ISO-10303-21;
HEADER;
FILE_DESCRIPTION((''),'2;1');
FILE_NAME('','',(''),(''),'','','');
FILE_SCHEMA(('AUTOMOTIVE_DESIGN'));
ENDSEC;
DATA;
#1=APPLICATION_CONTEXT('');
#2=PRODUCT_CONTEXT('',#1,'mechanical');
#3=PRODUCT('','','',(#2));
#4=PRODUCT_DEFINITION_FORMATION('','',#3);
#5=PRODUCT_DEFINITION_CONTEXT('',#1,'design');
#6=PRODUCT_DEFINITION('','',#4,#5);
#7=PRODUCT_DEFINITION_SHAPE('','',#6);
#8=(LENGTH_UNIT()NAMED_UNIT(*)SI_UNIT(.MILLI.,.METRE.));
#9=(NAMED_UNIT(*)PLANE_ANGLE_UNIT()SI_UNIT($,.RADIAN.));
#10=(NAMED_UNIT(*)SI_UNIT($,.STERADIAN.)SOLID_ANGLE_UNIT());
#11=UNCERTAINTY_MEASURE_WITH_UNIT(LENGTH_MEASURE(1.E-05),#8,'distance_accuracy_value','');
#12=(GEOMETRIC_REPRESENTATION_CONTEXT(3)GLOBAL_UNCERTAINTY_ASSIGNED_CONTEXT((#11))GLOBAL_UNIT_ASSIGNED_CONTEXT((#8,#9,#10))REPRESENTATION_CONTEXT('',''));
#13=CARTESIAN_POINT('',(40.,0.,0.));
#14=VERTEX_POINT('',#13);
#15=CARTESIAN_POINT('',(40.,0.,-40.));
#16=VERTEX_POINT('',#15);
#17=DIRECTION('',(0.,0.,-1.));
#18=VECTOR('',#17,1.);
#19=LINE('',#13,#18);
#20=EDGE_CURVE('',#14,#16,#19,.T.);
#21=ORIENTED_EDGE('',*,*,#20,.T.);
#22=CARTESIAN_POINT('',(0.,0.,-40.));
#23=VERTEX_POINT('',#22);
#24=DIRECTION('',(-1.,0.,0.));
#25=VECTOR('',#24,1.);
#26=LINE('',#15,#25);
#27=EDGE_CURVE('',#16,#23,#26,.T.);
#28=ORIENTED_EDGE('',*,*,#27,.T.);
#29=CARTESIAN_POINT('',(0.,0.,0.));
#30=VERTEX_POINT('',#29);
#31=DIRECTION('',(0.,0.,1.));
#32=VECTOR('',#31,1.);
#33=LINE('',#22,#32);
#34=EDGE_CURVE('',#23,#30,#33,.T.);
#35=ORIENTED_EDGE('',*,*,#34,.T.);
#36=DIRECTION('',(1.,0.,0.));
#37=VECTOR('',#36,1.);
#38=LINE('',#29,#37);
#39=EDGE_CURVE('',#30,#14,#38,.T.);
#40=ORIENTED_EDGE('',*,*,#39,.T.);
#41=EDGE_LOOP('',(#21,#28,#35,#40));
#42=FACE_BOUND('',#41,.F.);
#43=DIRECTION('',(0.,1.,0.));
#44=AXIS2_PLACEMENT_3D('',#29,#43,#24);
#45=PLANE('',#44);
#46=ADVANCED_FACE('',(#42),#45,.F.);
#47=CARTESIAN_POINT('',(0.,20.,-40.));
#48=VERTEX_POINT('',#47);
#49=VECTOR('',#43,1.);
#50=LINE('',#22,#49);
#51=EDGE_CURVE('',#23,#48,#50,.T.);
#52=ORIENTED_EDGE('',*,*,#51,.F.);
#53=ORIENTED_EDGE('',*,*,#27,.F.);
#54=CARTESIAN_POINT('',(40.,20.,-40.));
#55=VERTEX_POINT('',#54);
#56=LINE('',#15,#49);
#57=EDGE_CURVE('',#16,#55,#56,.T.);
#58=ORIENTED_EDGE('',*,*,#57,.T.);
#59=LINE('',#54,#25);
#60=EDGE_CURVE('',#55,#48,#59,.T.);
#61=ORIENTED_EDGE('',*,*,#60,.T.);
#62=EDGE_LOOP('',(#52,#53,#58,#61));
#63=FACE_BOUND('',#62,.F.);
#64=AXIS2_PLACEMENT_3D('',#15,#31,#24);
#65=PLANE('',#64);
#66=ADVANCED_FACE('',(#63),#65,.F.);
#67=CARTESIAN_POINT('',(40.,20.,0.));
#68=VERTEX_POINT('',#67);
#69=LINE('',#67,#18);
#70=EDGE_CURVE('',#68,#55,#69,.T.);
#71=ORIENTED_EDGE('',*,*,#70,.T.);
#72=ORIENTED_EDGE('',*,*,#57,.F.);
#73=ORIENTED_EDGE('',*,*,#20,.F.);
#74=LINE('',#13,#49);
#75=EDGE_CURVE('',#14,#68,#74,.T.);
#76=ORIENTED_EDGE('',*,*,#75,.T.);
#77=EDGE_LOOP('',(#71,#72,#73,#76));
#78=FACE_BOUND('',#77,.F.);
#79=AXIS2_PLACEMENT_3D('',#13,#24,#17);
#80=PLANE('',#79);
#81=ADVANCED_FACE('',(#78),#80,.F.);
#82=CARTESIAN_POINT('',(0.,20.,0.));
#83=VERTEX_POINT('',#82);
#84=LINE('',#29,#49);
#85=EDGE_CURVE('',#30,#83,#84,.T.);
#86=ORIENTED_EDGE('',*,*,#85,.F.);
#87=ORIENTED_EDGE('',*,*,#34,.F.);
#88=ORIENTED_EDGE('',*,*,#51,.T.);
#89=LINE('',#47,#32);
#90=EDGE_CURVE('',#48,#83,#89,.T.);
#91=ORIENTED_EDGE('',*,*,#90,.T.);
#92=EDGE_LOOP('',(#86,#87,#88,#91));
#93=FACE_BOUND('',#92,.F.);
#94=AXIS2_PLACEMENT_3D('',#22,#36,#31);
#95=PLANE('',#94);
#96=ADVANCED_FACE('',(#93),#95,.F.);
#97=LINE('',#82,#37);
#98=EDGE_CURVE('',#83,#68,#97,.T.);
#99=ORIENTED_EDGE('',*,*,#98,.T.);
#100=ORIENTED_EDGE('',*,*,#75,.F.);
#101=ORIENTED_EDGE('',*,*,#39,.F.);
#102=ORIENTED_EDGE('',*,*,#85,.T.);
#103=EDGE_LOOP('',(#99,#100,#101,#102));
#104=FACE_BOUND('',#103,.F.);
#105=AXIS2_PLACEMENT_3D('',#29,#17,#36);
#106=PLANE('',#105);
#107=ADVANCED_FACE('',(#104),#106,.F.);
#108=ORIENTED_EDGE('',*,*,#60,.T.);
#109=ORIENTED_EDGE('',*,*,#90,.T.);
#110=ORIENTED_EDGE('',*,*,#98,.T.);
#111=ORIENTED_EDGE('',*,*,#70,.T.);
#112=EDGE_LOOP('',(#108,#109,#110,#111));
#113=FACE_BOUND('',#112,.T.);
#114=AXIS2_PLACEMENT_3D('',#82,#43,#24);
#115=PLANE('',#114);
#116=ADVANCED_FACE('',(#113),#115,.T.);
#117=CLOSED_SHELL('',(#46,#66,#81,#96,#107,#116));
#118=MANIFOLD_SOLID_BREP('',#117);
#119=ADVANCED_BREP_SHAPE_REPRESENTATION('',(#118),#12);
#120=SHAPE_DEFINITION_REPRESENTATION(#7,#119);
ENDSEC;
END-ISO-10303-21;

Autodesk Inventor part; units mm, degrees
ref_plane "YZ Plane" through (0, 0, 0) normal (1, 0, 0) x (0, 1, 0)
ref_plane "XZ Plane" through (0, 0, 0) normal (0, 1, 0) x (-1, 0, 0)
ref_plane "XY Plane" through (0, 0, 0) normal (0, 0, 1) x (1, 0, 0)
sketch "Sketch1" plane through (0, 0, 0) normal (0, 1, 0) x (-1, 0, 0)
  line L0 (0, 0) -> (-40, 0)
  line L1 (-40, 0) -> (-40, -40)
  line L2 (-40, -40) -> (0, -40)
  line L3 (0, -40) -> (0, 0)
  dimension "d0" = 40
extrude "Extrusion1" add sketch "Sketch1" along normal blind 20
properties part number "radial_fan"
